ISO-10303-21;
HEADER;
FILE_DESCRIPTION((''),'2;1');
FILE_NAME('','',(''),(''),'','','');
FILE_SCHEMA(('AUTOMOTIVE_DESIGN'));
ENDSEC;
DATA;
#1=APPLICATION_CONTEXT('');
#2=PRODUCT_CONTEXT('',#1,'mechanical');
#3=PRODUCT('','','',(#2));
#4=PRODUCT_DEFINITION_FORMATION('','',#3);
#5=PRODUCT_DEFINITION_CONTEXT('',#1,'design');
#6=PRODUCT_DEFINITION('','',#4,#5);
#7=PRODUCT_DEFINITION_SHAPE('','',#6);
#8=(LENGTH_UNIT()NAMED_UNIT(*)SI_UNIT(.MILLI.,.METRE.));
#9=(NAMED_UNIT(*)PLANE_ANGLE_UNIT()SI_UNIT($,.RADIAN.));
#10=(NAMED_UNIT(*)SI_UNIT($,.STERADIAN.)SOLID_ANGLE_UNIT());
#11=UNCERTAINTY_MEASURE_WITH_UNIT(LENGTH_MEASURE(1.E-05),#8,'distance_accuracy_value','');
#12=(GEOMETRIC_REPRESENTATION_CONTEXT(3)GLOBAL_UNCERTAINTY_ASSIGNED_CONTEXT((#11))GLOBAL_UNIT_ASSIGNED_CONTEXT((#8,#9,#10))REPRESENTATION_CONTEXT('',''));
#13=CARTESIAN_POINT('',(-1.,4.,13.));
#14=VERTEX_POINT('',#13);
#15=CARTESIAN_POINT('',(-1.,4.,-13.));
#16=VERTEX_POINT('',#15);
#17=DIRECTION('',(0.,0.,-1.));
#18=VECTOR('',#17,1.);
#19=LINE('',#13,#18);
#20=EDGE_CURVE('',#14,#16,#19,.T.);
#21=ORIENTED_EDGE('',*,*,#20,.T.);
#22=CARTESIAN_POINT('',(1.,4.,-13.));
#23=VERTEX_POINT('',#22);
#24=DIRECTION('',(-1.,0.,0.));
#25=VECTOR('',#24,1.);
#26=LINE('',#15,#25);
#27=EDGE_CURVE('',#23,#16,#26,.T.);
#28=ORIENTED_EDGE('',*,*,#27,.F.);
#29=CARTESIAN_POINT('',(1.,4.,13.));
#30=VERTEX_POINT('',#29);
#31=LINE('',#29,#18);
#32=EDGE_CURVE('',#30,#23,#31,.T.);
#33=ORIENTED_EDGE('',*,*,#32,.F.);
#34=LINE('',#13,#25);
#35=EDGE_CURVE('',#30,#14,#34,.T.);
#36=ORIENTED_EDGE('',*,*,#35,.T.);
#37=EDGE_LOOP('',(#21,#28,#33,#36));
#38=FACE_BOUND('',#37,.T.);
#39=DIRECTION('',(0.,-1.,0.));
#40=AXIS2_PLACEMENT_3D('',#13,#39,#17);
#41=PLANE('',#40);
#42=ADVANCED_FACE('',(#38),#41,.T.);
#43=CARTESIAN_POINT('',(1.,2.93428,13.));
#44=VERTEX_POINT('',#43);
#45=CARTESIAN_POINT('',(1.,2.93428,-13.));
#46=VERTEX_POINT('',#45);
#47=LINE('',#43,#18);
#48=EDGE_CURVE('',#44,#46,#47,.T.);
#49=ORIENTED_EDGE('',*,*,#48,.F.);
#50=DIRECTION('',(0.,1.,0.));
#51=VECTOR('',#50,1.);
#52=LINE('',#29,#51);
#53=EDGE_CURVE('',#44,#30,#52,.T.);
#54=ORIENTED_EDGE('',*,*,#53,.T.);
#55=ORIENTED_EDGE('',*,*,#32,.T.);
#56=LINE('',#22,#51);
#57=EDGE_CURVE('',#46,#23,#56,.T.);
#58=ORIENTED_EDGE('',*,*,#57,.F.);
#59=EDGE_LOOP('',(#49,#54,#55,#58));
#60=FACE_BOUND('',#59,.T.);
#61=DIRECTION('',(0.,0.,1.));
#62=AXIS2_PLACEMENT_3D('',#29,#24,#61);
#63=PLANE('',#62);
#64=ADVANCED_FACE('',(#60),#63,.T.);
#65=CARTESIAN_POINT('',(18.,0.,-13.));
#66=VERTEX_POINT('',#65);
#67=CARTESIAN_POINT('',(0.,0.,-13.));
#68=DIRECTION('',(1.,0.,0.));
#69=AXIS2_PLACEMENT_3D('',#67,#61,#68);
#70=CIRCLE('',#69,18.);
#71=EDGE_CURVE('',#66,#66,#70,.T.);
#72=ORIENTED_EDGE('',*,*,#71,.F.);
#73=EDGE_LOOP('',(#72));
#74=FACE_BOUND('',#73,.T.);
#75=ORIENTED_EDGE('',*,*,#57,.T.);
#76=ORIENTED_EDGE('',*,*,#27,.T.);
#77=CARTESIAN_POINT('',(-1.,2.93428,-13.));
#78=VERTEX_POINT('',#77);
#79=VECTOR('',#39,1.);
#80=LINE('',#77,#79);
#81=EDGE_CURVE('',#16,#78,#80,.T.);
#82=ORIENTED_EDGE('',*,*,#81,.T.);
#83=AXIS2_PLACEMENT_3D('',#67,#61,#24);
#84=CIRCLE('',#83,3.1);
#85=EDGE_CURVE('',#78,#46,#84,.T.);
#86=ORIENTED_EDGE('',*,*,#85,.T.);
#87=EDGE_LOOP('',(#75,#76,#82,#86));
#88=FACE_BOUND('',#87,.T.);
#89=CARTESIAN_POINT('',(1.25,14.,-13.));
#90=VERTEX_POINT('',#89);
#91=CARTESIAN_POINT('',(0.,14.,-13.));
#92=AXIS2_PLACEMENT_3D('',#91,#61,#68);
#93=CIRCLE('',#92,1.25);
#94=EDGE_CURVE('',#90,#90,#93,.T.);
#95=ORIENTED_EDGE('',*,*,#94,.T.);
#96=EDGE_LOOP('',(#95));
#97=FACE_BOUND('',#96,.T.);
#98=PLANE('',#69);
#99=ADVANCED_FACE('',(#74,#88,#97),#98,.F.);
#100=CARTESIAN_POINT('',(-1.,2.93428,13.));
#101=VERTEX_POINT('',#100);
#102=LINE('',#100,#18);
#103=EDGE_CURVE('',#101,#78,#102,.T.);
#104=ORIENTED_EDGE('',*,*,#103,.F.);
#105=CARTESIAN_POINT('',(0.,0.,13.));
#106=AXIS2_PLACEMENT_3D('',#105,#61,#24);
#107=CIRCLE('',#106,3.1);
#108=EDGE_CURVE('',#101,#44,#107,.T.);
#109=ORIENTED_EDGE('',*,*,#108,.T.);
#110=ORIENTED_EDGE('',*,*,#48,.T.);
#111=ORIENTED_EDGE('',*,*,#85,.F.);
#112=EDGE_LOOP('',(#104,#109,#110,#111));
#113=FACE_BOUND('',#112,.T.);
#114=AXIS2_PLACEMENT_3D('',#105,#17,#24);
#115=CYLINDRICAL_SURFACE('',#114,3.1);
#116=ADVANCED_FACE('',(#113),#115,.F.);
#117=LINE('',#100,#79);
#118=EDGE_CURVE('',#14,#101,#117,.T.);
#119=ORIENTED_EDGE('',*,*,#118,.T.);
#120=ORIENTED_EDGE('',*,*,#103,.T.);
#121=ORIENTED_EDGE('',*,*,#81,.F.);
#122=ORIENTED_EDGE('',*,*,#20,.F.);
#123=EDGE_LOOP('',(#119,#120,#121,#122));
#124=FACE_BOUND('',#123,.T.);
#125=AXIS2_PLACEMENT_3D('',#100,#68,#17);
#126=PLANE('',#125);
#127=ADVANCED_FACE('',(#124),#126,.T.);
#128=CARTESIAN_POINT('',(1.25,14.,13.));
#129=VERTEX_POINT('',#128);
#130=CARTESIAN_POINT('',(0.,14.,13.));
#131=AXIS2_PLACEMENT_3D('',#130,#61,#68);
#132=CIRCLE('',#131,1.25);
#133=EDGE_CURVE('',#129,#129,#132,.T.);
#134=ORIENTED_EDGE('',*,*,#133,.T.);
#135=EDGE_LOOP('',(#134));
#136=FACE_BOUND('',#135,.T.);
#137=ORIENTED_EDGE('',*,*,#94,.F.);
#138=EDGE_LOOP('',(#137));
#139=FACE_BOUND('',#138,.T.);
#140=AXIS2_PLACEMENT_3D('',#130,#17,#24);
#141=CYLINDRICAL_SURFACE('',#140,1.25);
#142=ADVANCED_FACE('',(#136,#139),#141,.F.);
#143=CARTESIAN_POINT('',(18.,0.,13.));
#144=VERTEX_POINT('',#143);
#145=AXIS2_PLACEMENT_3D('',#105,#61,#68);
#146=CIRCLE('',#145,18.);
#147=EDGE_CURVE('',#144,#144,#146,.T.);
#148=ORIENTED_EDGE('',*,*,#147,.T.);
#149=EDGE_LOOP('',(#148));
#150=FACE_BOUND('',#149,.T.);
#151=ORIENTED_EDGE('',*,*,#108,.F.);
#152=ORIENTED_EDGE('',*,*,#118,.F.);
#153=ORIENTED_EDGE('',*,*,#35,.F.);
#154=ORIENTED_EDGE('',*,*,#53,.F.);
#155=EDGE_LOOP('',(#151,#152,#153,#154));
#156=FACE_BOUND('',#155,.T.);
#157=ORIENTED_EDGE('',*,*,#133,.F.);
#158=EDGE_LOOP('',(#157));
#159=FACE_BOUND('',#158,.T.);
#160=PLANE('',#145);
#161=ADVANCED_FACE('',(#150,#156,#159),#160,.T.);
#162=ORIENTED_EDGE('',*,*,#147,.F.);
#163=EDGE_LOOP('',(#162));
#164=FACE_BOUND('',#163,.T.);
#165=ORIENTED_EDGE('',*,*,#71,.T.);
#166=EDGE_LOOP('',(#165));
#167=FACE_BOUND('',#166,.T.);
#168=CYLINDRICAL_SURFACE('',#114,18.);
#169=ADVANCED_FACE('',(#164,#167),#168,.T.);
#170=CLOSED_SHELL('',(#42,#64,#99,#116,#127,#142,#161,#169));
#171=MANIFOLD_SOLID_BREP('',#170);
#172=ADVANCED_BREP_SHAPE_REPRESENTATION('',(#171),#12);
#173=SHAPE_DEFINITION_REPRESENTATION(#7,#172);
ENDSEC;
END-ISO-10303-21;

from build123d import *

# Parameters (mm, degrees)
SKETCH_1_R      = 18
SKETCH_1_R_2    = 1.25
EXTRUDE_1_DEPTH = 13


with BuildPart() as part:
    # 草图1 → 凸台-拉伸1 (new, symmetric)
    with BuildSketch(Plane.XY):
        Circle(SKETCH_1_R)
        with Locations((0, 14)):
            Circle(SKETCH_1_R_2, mode=Mode.SUBTRACT)
        with BuildLine():
            Line((-1, 2.93428015), (-1, 4))
            Line((-1, 4), (1, 4))
            Line((1, 4), (1, 2.93428015))
            ThreePointArc((1, 2.93428015), (0, -3.1), (-1, 2.93428015))
        make_face(mode=Mode.SUBTRACT)
    extrude(amount=EXTRUDE_1_DEPTH, both=True)


solid = part.part
